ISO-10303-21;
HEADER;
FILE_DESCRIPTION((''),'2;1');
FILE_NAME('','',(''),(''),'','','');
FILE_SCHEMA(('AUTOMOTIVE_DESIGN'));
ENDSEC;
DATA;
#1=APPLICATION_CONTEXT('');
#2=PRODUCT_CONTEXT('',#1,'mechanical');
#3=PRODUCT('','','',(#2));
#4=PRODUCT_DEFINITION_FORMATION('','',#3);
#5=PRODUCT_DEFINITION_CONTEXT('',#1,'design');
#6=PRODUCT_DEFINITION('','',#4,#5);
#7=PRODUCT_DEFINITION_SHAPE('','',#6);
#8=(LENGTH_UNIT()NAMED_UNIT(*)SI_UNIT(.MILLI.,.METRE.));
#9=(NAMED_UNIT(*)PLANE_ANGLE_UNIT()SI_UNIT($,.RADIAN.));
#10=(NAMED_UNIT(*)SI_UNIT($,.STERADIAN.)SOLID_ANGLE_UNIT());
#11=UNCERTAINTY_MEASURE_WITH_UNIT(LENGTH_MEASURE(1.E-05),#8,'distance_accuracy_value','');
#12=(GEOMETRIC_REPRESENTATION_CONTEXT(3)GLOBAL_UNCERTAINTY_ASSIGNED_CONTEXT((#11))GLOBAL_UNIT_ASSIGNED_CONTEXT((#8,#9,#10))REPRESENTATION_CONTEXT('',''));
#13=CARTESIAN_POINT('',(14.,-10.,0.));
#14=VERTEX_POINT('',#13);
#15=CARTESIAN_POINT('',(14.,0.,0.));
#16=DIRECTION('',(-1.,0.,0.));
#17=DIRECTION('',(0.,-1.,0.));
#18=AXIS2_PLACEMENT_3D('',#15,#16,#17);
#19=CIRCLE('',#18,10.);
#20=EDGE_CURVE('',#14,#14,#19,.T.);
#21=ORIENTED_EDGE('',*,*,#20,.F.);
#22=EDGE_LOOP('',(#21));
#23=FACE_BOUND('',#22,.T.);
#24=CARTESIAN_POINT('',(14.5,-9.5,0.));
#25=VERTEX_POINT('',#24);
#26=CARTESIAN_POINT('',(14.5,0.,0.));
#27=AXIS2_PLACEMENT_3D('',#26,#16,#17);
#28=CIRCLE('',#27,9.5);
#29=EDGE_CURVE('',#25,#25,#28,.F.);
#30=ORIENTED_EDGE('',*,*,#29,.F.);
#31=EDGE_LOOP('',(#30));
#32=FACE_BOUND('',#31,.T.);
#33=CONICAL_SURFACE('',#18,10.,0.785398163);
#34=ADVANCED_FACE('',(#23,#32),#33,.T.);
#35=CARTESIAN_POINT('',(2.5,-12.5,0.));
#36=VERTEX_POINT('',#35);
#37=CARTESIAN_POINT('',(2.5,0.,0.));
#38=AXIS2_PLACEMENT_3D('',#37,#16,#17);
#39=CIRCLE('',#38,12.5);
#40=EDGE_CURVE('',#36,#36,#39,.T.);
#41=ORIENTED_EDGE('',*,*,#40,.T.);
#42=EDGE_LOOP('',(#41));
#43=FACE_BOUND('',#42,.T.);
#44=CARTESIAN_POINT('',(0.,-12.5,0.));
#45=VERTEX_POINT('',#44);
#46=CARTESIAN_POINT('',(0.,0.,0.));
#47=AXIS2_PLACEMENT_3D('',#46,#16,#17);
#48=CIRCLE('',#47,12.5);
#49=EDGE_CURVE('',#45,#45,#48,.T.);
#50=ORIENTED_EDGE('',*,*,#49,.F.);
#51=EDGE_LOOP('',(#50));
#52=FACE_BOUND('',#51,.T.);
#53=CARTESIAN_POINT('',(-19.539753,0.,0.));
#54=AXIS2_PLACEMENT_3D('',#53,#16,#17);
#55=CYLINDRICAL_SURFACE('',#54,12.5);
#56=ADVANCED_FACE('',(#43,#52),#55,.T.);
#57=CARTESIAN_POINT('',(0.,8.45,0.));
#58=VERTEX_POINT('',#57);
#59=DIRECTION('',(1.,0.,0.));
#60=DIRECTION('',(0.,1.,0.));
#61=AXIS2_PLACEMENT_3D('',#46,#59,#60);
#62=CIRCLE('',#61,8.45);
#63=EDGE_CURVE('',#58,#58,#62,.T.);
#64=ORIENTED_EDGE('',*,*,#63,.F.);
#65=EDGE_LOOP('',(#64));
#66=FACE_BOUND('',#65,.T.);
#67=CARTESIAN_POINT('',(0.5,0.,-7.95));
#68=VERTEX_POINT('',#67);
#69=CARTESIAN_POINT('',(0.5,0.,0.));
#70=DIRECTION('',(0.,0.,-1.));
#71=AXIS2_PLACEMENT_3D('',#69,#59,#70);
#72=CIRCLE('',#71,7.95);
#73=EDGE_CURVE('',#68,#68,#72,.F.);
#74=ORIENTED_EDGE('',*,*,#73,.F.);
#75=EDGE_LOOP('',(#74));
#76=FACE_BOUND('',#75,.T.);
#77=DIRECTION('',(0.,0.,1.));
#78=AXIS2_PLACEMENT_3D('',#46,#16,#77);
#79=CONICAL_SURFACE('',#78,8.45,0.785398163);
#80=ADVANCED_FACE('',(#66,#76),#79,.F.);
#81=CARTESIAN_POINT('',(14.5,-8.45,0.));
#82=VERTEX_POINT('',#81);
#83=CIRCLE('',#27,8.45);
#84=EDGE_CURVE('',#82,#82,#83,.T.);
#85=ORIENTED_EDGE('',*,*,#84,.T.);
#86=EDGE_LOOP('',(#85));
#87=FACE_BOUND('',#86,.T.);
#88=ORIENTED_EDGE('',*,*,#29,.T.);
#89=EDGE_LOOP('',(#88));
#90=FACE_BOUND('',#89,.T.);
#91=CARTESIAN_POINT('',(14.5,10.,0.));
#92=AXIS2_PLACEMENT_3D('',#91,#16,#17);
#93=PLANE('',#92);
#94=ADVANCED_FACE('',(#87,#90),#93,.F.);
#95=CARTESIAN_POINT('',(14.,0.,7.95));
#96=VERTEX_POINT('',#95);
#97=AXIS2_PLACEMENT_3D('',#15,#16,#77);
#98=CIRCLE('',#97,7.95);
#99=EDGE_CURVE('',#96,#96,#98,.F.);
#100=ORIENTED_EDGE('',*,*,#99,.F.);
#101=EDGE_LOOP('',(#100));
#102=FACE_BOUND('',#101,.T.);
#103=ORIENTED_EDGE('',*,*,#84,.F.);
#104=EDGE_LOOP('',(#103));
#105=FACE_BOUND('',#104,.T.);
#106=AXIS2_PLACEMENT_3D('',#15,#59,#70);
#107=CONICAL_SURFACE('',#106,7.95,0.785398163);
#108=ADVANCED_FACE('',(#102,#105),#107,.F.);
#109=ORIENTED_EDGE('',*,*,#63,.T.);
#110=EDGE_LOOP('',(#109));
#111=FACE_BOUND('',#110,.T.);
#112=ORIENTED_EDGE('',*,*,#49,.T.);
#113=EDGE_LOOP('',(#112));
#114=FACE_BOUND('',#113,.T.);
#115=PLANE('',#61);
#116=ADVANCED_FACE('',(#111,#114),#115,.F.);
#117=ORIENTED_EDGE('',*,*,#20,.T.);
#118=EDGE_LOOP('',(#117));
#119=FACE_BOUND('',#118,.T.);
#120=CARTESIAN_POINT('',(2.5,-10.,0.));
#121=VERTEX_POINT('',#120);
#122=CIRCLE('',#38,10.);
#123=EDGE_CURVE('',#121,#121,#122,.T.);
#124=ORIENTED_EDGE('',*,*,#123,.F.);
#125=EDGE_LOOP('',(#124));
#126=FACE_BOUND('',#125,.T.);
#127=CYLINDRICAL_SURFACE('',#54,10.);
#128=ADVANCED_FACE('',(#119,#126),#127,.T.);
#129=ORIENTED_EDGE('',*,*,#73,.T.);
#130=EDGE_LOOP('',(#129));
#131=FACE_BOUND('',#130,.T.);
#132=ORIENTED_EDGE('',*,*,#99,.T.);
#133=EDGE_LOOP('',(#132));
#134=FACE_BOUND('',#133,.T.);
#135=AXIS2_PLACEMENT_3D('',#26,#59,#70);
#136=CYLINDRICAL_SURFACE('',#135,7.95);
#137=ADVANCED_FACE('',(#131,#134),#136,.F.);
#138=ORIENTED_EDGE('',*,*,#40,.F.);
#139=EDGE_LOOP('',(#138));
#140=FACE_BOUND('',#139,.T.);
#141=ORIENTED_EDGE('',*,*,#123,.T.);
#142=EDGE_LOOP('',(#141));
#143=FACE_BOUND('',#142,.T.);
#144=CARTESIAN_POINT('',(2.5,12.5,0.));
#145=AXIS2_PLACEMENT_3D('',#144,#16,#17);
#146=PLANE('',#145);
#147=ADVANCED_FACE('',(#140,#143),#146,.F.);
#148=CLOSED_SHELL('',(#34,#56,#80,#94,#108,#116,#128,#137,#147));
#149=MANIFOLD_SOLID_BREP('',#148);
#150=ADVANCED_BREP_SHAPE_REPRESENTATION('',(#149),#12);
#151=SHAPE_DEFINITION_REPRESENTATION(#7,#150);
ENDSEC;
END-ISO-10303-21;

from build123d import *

# Parameters (mm, degrees)
DIAM_TRE_DU_PER_AGE_0_15_0_15_1_D = 15.9
CHANFREIN1_SIZE                   = 0.5


with BuildPart() as part:
    # Esquisse1 → Révolution1 (revolve)
    with BuildSketch(Plane.XY, mode=Mode.PRIVATE) as r_volution1_sk:
        Polygon((0, 0), (0, 12.5), (2.5, 12.5), (2.5, 10), (14.5, 10), (14.5, 0), align=None)
    revolve(r_volution1_sk.sketch.rotate(Axis((-19.53975326, 0, 0), (1, 0, 0)), 180), axis=Axis((-19.53975326, 0, 0), (1, 0, 0)))

    # Diamètre du perçage Ø0.15 (0.15)1 (through all)
    with Locations(Plane(origin=(14.5, 0, 0), x_dir=(0, 0, -1), z_dir=(1, 0, 0))):
        with Locations((0, 0)):
            Hole(DIAM_TRE_DU_PER_AGE_0_15_0_15_1_D / 2)

    # Chanfrein1
    chanfrein1_edges = [part.edges().sort_by_distance(p)[0] for p in [
        (14.5, 0, -7.95),
        (0, 0, -7.95),
        (14.5, 10, 0),
    ]]
    chamfer(chanfrein1_edges, length=CHANFREIN1_SIZE)


solid = part.part
